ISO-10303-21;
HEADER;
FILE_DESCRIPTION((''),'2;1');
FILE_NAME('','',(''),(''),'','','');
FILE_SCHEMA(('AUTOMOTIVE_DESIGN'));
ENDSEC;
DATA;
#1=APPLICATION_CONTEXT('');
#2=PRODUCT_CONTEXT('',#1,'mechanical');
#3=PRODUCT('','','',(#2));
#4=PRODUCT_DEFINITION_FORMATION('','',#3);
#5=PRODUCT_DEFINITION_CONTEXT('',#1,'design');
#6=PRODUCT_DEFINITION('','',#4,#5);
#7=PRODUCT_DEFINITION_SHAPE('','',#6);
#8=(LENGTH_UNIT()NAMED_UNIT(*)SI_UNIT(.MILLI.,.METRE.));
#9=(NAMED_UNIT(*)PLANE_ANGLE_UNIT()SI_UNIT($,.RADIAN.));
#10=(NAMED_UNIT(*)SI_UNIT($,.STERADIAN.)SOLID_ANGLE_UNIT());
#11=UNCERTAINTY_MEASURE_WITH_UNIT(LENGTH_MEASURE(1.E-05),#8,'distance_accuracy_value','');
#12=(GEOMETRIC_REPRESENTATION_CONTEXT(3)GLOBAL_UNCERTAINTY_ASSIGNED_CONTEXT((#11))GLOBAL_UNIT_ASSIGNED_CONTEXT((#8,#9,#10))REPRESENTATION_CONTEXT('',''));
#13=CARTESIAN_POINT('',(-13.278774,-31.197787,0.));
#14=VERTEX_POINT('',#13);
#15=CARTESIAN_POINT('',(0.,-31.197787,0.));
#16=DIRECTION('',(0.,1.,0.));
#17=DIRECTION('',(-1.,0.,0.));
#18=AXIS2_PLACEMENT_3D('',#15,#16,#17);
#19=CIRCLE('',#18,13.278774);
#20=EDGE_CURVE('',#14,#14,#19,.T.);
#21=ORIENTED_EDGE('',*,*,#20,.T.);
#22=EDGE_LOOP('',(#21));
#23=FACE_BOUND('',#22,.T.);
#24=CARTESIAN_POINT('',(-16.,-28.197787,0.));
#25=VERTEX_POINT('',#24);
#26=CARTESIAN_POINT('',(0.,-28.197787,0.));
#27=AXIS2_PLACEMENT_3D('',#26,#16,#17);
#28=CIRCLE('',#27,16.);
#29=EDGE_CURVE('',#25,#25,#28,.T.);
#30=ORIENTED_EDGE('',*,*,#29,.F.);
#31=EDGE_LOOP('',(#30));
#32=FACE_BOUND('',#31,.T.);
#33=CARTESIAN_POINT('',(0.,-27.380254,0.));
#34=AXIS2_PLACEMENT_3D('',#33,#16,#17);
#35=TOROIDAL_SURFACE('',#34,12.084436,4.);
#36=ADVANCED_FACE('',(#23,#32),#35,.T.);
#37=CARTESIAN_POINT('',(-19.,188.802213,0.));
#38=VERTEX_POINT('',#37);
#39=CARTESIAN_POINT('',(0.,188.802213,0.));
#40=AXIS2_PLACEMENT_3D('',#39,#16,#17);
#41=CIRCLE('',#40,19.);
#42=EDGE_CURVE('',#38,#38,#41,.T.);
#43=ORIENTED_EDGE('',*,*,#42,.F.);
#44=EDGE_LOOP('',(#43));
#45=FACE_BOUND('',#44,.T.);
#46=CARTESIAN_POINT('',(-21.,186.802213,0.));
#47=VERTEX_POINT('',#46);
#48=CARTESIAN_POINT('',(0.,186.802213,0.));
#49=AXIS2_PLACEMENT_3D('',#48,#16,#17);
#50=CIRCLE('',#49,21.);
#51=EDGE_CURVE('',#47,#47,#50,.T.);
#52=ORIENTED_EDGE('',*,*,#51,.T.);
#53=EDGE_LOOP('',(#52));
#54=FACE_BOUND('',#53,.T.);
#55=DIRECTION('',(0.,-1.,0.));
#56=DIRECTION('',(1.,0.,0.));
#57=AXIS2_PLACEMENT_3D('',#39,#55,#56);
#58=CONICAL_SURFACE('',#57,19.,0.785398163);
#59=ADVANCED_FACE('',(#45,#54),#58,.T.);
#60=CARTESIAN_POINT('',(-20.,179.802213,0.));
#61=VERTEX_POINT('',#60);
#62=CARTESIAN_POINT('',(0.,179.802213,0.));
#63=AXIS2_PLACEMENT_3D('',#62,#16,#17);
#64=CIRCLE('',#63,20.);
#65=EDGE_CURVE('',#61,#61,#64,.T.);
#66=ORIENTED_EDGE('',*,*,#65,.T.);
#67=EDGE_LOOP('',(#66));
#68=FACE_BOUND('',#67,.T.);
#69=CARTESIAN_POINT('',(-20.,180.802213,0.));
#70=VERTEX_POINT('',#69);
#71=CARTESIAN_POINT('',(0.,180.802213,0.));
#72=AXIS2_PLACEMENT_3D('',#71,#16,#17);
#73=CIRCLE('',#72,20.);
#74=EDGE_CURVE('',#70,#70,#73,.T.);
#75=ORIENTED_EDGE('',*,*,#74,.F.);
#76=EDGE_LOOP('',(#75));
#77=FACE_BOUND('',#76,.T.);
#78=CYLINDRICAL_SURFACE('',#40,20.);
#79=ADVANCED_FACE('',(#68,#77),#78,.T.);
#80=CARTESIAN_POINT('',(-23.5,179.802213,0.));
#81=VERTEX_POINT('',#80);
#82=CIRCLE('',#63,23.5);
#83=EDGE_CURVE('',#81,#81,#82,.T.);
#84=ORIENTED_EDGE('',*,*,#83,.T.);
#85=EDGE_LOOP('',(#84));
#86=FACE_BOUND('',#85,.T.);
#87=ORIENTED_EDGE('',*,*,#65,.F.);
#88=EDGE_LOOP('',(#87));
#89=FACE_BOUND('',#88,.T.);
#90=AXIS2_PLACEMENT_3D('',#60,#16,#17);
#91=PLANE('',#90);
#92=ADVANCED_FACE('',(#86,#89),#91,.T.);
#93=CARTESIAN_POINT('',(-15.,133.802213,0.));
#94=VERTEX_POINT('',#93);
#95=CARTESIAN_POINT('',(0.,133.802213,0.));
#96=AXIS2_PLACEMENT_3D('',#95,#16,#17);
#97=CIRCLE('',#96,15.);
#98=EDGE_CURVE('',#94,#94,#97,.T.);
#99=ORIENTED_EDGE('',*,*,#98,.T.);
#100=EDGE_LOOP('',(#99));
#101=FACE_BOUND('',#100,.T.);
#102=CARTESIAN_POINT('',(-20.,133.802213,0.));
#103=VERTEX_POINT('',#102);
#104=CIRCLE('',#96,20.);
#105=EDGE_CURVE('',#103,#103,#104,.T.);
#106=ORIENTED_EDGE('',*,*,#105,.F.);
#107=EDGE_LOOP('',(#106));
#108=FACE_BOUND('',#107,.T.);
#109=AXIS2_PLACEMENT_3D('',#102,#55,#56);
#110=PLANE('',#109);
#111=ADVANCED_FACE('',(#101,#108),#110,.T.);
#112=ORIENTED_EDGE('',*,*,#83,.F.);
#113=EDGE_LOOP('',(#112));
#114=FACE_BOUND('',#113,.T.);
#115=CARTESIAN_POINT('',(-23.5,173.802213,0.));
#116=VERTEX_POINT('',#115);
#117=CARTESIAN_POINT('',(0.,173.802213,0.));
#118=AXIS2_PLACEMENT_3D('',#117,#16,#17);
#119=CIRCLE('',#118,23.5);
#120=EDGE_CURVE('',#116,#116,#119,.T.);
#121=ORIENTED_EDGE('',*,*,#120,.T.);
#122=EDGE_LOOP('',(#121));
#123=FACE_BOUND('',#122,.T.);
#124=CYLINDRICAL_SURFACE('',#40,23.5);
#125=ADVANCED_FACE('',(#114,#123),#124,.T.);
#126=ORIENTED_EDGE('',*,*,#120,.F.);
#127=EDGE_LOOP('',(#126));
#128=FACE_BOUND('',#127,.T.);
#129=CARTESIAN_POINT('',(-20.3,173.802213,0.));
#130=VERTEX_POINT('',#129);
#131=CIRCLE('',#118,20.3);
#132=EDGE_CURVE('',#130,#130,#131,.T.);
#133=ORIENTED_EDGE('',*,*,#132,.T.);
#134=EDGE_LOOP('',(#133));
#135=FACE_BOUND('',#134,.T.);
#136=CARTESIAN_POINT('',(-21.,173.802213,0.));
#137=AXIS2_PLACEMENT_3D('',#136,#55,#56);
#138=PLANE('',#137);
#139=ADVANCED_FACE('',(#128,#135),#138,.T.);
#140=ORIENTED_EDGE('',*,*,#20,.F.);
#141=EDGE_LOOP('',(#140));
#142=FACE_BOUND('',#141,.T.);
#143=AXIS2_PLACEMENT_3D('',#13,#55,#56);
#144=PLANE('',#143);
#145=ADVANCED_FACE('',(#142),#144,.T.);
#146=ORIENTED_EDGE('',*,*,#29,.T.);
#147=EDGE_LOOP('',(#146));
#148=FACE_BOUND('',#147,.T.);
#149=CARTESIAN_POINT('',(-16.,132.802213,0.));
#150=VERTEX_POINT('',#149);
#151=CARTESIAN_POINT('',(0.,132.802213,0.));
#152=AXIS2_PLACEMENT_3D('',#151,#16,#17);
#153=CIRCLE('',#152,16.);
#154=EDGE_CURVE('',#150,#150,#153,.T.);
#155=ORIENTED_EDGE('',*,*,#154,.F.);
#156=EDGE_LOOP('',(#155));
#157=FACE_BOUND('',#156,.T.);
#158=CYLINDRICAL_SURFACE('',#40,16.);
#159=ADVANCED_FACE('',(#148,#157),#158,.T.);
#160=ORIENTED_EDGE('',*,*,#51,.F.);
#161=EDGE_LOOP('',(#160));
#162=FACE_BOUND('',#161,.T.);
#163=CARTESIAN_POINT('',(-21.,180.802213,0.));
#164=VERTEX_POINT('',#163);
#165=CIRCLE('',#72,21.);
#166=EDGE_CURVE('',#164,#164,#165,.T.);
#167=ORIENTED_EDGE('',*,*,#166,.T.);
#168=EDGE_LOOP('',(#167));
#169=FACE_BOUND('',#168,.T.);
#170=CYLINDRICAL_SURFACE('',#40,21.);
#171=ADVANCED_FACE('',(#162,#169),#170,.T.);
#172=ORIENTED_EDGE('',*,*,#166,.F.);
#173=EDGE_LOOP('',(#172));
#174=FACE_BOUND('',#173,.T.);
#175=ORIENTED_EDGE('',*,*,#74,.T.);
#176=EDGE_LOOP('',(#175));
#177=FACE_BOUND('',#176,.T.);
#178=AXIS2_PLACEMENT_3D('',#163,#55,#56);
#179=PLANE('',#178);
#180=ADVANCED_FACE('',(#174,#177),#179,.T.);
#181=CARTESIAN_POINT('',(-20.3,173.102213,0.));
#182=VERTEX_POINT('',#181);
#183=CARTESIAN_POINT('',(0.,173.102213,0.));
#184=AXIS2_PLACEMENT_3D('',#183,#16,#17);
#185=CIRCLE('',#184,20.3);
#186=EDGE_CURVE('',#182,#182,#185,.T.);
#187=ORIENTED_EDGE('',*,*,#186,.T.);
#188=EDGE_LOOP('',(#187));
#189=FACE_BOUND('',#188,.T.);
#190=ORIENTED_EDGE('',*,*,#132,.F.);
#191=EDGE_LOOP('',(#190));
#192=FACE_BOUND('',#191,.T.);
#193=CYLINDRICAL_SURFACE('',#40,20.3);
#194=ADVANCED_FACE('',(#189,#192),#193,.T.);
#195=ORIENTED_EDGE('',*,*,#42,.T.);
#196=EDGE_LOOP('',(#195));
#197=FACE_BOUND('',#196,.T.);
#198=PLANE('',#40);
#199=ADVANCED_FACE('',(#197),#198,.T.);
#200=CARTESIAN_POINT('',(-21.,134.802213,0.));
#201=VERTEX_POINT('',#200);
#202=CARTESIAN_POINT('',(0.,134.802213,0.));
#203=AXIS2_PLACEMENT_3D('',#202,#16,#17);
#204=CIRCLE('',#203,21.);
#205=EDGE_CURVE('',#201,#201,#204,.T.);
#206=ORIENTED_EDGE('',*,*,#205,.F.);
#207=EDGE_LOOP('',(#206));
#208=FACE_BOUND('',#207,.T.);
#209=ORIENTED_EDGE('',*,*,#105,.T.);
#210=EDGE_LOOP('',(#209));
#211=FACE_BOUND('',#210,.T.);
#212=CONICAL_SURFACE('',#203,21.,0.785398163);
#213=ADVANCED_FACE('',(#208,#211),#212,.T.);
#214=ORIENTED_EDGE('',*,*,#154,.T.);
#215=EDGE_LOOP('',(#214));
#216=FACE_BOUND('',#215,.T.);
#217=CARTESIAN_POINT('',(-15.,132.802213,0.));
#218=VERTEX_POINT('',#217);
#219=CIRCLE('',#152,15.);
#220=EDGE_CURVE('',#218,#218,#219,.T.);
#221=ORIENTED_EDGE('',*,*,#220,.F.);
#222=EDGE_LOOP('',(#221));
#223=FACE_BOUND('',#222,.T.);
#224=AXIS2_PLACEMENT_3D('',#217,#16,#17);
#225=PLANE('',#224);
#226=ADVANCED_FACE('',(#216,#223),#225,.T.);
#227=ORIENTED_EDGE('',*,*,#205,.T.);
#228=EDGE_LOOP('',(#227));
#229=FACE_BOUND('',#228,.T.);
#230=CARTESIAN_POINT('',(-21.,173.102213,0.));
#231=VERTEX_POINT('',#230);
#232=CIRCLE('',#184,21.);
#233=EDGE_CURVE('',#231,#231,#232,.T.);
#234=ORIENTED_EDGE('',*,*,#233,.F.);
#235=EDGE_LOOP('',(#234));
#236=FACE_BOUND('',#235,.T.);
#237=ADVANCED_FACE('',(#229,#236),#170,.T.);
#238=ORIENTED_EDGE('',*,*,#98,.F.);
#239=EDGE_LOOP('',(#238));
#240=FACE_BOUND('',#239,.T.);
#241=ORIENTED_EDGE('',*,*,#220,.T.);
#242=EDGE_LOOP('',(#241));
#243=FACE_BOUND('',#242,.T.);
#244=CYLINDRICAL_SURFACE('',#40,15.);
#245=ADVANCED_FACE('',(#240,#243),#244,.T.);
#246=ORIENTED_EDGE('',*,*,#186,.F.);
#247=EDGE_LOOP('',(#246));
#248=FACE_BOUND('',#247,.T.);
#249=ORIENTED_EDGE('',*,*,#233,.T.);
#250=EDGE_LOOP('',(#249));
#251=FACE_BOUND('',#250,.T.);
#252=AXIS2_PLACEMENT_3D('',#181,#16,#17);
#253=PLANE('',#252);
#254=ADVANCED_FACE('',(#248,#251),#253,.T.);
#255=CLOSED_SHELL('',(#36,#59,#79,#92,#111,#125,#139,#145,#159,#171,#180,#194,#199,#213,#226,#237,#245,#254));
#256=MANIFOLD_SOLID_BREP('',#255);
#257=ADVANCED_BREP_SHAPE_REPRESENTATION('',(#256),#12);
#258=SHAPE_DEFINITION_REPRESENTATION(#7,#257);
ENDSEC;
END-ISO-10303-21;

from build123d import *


with BuildPart() as part:
    # Szkic1 → Obrót2 (revolve)
    with BuildSketch(Plane.XY):
        with BuildLine():
            Line((0, 188.802213019), (-19, 188.802213019))
            Line((-19, 188.802213019), (-21, 186.802213019))
            Line((-21, 186.802213019), (-21, 180.802213019))
            Line((-21, 180.802213019), (-20, 180.802213019))
            Line((-20, 180.802213019), (-20, 179.802213019))
            Line((-20, 179.802213019), (-23.5, 179.802213019))
            Line((-23.5, 179.802213019), (-23.5, 173.802213019))
            Line((-23.5, 173.802213019), (-21, 173.802213019))
            Line((-21, 173.802213019), (-20.3, 173.802213019))
            Line((-20.3, 173.802213019), (-20.3, 173.102213019))
            Line((-20.3, 173.102213019), (-21, 173.102213019))
            Line((-21, 173.102213019), (-21, 134.802213019))
            Line((-21, 134.802213019), (-20, 133.802213019))
            Line((-20, 133.802213019), (-15, 133.802213019))
            Line((-15, 133.802213019), (-15, 132.802213019))
            Line((-15, 132.802213019), (-16, 132.802213019))
            Line((-16, 132.802213019), (-16, -28.197786981))
            ThreePointArc((-16, -28.197786981), (-15.047167049, -30.067674085), (-13.278774205, -31.197786981))
            Line((-13.278774205, -31.197786981), (0, -31.197786981))
            Line((0, -31.197786981), (0, 188.802213019))
        make_face()
    revolve(axis=Axis((0, 188.802213019, 0), (0, -1, 0)))


solid = part.part
